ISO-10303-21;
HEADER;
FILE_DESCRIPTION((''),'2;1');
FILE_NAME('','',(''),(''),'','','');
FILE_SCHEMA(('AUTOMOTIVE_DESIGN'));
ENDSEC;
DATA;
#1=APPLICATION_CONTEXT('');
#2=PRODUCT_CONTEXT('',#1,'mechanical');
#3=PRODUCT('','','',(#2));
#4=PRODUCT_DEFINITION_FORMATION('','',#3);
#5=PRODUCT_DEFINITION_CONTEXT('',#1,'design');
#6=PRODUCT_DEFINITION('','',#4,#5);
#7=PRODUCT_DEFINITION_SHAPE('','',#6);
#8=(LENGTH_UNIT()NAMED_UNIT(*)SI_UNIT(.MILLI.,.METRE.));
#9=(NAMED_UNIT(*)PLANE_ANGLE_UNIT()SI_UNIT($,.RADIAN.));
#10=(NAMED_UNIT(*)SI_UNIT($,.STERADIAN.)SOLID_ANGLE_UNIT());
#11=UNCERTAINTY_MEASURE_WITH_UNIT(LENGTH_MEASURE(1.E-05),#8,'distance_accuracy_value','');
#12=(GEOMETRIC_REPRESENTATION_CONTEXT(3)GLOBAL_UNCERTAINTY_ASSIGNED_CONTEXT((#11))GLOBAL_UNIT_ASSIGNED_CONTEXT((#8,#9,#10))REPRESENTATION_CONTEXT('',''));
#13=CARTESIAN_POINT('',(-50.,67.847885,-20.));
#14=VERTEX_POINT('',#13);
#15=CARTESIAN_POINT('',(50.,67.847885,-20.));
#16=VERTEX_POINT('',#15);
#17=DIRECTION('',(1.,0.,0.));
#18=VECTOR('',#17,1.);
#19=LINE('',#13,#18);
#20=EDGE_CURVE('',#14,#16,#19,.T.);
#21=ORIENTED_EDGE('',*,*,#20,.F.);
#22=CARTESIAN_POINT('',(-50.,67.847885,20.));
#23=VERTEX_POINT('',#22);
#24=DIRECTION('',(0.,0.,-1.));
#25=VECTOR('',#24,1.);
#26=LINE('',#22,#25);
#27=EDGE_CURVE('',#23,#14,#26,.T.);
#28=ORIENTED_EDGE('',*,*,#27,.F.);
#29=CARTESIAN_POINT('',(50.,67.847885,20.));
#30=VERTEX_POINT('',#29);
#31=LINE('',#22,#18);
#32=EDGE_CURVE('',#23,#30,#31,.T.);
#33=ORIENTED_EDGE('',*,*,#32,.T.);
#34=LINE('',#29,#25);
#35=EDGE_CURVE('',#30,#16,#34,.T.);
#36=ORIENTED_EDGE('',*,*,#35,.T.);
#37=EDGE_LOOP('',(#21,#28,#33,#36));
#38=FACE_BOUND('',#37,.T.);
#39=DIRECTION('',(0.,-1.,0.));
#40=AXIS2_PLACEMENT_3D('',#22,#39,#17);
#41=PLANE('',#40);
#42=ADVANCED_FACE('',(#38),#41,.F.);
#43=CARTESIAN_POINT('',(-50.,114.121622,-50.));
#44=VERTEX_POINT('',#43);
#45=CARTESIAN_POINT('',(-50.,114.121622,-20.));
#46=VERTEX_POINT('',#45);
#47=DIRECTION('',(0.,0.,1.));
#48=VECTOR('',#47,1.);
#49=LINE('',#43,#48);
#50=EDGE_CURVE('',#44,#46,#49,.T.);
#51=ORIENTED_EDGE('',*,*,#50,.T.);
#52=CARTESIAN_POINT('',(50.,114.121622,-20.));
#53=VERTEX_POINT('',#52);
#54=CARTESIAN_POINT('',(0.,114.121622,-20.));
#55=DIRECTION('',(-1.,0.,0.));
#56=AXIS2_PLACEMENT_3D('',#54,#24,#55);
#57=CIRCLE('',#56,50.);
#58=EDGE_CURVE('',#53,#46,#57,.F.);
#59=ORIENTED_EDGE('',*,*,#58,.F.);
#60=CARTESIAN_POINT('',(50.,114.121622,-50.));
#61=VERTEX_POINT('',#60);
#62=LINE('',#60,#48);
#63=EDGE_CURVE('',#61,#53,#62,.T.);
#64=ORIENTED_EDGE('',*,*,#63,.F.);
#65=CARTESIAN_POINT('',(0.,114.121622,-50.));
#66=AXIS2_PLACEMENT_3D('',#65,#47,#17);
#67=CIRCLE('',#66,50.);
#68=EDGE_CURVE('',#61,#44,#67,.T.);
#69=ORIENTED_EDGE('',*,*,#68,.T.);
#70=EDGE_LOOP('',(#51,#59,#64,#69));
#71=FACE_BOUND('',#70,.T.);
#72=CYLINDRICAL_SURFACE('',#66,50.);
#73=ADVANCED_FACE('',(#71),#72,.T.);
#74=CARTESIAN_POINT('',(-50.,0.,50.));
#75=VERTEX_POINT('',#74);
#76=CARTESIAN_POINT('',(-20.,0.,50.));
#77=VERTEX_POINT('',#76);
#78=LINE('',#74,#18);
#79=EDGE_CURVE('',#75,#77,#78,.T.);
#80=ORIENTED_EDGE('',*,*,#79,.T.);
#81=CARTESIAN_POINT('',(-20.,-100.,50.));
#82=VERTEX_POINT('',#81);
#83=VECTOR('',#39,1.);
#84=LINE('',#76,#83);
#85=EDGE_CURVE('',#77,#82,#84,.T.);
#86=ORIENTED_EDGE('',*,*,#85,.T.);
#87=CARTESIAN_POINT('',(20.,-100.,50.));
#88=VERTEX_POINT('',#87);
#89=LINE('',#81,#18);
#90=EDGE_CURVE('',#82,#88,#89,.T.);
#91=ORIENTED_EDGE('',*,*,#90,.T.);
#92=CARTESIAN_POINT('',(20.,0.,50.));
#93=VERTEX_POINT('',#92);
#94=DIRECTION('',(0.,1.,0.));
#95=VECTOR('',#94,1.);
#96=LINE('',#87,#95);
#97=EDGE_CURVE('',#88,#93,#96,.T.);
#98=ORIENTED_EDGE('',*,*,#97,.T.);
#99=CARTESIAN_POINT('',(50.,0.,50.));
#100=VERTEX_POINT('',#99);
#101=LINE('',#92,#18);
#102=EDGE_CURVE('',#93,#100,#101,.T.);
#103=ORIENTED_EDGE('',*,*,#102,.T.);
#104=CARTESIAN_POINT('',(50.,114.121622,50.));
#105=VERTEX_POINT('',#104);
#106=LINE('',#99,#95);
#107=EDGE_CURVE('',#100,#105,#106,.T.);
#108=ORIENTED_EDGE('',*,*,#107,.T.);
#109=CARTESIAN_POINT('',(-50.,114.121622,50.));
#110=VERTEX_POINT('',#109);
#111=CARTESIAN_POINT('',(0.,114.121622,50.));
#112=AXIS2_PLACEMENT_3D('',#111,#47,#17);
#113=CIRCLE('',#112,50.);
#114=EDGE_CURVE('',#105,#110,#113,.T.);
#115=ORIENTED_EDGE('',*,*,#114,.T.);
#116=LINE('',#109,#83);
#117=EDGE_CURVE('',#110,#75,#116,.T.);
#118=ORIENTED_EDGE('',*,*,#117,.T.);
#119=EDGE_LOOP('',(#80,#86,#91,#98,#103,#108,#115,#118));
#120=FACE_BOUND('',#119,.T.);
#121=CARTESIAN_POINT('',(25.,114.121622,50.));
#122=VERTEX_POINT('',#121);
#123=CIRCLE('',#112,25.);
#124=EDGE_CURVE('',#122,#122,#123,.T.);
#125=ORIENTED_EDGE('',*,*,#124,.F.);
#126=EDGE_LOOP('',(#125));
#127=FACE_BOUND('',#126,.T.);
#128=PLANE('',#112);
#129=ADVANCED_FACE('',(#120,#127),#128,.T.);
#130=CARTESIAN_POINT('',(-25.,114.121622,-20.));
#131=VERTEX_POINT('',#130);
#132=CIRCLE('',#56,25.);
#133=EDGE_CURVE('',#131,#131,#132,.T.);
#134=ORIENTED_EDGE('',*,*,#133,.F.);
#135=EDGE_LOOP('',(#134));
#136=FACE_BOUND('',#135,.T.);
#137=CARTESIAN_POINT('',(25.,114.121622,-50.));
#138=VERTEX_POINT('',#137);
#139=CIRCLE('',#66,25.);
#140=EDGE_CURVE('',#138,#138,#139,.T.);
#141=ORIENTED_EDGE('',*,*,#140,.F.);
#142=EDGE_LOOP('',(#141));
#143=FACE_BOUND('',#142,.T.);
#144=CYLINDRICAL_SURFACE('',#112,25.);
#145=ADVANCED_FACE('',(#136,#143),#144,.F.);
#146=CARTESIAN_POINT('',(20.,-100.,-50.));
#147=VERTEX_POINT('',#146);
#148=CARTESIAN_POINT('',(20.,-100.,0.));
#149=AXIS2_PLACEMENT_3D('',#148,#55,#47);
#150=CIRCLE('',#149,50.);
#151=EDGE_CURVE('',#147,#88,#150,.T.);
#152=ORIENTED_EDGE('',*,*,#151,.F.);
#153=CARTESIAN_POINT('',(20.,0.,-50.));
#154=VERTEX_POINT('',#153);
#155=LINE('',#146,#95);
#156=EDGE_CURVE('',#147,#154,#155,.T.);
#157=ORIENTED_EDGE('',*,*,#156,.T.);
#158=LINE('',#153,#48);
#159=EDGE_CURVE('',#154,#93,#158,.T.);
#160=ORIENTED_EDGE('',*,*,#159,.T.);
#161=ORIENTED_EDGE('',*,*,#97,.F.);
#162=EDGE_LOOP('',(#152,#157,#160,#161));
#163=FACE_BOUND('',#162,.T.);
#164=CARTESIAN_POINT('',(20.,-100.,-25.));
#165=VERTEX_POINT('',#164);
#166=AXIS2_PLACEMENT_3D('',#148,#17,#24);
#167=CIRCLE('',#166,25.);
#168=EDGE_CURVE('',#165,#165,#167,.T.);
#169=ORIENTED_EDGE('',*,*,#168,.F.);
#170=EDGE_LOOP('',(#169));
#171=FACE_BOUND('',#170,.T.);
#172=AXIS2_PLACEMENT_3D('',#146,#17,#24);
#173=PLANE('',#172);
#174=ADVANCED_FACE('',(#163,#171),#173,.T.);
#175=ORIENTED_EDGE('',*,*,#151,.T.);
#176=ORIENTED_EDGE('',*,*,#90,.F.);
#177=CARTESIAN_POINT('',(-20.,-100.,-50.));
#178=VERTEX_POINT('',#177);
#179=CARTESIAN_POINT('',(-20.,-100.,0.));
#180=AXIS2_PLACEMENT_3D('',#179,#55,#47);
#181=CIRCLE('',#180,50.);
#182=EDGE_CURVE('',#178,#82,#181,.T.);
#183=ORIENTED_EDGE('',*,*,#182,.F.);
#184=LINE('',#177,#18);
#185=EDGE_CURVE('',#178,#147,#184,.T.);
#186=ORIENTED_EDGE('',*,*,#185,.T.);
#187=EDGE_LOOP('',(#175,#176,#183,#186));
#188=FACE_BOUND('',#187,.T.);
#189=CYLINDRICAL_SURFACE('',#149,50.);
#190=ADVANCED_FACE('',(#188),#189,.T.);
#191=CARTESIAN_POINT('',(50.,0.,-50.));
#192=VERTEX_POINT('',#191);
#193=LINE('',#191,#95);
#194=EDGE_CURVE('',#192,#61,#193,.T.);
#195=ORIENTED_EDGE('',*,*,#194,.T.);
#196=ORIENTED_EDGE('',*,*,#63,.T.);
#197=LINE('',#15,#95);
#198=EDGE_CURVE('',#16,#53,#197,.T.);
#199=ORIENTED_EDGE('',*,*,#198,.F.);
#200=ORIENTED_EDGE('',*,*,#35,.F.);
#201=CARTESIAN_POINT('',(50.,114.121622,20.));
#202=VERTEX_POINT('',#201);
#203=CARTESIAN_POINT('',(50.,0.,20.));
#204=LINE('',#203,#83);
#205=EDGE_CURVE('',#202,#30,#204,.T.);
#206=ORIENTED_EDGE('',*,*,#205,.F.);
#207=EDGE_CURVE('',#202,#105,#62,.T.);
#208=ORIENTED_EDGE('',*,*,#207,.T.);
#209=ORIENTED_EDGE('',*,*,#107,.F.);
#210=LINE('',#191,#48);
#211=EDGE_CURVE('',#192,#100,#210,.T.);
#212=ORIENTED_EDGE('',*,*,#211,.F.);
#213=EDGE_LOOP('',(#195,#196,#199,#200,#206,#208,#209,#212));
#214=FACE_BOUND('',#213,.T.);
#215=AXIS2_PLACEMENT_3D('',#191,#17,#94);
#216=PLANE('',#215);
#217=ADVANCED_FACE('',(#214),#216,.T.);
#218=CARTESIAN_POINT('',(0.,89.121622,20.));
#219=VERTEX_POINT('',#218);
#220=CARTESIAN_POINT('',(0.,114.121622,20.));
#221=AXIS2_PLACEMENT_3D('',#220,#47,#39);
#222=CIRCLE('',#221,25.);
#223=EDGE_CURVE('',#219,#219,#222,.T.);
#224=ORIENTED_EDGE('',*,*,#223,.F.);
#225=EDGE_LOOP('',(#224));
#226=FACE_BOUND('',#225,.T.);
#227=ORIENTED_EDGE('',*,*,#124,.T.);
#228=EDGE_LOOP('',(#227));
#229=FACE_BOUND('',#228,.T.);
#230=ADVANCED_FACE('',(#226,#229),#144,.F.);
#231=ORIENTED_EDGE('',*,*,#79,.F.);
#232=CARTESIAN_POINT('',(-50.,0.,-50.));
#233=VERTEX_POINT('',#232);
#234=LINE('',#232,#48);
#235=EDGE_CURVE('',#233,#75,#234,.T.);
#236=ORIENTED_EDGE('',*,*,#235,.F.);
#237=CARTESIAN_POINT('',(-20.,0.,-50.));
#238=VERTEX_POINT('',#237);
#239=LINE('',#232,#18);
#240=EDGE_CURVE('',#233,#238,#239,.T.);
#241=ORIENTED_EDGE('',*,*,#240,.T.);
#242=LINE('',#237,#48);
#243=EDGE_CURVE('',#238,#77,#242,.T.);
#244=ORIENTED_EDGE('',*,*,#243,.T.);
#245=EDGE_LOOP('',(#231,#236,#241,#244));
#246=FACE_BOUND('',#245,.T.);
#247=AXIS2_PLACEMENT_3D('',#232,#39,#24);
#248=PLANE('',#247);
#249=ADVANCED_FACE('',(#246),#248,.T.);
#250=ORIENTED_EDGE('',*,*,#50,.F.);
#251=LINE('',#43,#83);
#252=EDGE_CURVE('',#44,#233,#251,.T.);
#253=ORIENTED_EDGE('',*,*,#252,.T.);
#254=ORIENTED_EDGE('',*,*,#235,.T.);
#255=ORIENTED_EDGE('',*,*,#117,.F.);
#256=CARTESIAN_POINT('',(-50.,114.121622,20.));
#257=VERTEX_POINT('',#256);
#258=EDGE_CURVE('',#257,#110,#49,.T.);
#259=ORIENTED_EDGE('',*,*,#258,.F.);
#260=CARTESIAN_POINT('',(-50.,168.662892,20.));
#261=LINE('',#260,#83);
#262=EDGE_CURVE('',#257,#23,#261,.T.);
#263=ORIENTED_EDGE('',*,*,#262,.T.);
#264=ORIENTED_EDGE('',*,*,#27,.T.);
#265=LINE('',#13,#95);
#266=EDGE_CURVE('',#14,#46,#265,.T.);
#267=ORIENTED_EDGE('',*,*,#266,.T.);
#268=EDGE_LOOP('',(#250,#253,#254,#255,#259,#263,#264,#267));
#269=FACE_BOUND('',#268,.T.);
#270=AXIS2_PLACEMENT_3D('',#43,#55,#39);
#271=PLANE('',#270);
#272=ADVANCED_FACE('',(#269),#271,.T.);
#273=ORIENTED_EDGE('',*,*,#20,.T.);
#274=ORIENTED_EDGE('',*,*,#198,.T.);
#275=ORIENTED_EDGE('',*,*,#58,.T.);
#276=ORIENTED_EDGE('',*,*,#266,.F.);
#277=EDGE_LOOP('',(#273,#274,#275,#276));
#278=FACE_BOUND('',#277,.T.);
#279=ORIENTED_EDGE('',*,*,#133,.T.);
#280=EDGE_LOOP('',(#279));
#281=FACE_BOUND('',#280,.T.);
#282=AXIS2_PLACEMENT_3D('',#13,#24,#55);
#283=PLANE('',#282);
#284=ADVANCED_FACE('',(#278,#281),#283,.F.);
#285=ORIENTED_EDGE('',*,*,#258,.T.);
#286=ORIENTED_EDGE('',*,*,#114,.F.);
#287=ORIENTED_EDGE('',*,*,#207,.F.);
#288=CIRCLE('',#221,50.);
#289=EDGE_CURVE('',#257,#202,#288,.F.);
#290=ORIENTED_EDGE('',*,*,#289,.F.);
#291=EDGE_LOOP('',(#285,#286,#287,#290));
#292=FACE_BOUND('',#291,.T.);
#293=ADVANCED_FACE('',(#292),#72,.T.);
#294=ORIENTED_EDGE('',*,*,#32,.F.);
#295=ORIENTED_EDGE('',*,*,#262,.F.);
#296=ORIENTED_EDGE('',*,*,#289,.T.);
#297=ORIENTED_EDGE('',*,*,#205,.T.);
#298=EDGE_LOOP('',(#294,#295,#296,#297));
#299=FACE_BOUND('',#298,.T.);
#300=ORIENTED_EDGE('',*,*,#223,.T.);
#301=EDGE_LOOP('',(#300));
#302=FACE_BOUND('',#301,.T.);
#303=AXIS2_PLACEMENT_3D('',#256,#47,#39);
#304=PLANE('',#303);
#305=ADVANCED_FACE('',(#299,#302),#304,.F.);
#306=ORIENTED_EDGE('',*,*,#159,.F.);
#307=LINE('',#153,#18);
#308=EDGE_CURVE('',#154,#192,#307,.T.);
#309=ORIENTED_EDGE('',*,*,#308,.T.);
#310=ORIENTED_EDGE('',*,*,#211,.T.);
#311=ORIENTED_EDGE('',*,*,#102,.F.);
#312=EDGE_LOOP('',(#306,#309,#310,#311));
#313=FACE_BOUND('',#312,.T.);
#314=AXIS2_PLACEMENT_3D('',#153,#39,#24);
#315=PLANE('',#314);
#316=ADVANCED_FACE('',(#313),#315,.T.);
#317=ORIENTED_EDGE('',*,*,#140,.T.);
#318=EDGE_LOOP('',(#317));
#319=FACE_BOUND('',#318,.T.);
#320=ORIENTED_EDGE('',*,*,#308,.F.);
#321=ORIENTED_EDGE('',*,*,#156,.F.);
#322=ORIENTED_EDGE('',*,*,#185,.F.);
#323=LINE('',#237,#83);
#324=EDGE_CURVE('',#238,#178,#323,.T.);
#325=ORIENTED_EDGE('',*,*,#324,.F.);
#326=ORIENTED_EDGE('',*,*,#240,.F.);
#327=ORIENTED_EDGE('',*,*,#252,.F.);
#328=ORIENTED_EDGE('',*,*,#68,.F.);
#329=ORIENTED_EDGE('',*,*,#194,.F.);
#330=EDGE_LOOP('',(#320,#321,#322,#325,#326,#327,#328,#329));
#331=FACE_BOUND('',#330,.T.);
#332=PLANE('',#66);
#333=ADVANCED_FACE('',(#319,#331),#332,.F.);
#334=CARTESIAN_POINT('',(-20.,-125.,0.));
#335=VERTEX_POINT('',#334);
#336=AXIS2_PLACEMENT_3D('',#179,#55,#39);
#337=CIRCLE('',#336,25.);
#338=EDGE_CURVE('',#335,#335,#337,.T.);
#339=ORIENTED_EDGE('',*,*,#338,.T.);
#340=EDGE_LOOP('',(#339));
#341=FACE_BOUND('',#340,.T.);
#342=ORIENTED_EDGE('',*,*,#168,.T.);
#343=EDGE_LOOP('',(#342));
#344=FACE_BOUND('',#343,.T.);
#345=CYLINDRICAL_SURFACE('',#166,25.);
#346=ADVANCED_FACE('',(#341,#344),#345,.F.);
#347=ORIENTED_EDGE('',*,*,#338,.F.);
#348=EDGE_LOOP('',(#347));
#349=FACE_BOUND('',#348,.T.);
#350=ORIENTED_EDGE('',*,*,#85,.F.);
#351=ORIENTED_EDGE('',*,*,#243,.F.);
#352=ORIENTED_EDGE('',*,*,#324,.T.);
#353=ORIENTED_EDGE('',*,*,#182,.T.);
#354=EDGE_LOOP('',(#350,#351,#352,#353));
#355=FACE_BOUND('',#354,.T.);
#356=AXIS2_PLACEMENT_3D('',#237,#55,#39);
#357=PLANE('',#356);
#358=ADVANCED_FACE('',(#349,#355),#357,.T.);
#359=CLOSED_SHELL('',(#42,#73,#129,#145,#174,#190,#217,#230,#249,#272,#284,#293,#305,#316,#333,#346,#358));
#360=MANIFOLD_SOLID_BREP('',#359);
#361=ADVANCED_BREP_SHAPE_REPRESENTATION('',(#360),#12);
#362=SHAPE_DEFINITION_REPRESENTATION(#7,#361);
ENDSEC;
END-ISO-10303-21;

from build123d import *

# Parameters (mm, degrees)
BOSS_EXTRUDE1_DEPTH        = 50
BOSS_EXTRUDE1_DEPTH_BACK   = 50
CUT_EXTRUDE1_DEPTH         = 199.584759445
F_25_0_50_DIAMETER_HOLE1_D = 50
SKETCH7_W                  = 40
SKETCH7_H                  = 50
REVOLVE1_ANGLE             = 180
F_1_0_50_DIAMETER_HOLE1_D  = 50


with BuildPart() as part:
    # Sketch1 → Boss-Extrude1 (new, two sides: drawn at the far end of the back side and taken through both)
    with BuildSketch(Plane.XY.offset(-BOSS_EXTRUDE1_DEPTH_BACK)):
        with BuildLine():
            Line((20, 0), (50, 0))
            Line((50, 0), (50, 114.121621622))
            ThreePointArc((50, 114.121621622), (0, 164.121621622), (-50, 114.121621622))
            Line((-50, 114.121621622), (-50, 0))
            Line((-50, 0), (-20, 0))
            Line((-20, 0), (-20, -100))
            Line((-20, -100), (20, -100))
            Line((20, -100), (20, 0))
        make_face()
    extrude(amount=BOSS_EXTRUDE1_DEPTH + BOSS_EXTRUDE1_DEPTH_BACK)

    # Sketch4 → Cut-Extrude1 (cut, through all)
    with BuildSketch(Plane(origin=(50, 0, 0), x_dir=(0, 0, -1), z_dir=(1, 0, 0))):
        Polygon((-20, 114.121621622), (-20, 67.847884716), (20, 67.847884716), (20, 168.662891807), (-20, 168.662891807), align=None)
    extrude(amount=-CUT_EXTRUDE1_DEPTH, mode=Mode.SUBTRACT)

    # Ø25.0 (50) Diameter Hole1 (through all)
    with Locations(Plane.XY.offset(50)):
        with Locations((0, 114.121621622)):
            Hole(F_25_0_50_DIAMETER_HOLE1_D / 2)

    # Sketch7 → Revolve1 (revolve)
    with BuildSketch(Plane.XZ.offset(100)):
        with Locations((0, 25)):
            Rectangle(SKETCH7_W, SKETCH7_H)
    revolve(axis=Axis((20, -100, 0), (1, 0, 0)), revolution_arc=REVOLVE1_ANGLE)

    # Ø1.0 (50) Diameter Hole1 (through all)
    with Locations(Plane(origin=(20, 0, 0), x_dir=(0, 0, -1), z_dir=(1, 0, 0))):
        with Locations((0, -100)):
            Hole(F_1_0_50_DIAMETER_HOLE1_D / 2)


solid = part.part
